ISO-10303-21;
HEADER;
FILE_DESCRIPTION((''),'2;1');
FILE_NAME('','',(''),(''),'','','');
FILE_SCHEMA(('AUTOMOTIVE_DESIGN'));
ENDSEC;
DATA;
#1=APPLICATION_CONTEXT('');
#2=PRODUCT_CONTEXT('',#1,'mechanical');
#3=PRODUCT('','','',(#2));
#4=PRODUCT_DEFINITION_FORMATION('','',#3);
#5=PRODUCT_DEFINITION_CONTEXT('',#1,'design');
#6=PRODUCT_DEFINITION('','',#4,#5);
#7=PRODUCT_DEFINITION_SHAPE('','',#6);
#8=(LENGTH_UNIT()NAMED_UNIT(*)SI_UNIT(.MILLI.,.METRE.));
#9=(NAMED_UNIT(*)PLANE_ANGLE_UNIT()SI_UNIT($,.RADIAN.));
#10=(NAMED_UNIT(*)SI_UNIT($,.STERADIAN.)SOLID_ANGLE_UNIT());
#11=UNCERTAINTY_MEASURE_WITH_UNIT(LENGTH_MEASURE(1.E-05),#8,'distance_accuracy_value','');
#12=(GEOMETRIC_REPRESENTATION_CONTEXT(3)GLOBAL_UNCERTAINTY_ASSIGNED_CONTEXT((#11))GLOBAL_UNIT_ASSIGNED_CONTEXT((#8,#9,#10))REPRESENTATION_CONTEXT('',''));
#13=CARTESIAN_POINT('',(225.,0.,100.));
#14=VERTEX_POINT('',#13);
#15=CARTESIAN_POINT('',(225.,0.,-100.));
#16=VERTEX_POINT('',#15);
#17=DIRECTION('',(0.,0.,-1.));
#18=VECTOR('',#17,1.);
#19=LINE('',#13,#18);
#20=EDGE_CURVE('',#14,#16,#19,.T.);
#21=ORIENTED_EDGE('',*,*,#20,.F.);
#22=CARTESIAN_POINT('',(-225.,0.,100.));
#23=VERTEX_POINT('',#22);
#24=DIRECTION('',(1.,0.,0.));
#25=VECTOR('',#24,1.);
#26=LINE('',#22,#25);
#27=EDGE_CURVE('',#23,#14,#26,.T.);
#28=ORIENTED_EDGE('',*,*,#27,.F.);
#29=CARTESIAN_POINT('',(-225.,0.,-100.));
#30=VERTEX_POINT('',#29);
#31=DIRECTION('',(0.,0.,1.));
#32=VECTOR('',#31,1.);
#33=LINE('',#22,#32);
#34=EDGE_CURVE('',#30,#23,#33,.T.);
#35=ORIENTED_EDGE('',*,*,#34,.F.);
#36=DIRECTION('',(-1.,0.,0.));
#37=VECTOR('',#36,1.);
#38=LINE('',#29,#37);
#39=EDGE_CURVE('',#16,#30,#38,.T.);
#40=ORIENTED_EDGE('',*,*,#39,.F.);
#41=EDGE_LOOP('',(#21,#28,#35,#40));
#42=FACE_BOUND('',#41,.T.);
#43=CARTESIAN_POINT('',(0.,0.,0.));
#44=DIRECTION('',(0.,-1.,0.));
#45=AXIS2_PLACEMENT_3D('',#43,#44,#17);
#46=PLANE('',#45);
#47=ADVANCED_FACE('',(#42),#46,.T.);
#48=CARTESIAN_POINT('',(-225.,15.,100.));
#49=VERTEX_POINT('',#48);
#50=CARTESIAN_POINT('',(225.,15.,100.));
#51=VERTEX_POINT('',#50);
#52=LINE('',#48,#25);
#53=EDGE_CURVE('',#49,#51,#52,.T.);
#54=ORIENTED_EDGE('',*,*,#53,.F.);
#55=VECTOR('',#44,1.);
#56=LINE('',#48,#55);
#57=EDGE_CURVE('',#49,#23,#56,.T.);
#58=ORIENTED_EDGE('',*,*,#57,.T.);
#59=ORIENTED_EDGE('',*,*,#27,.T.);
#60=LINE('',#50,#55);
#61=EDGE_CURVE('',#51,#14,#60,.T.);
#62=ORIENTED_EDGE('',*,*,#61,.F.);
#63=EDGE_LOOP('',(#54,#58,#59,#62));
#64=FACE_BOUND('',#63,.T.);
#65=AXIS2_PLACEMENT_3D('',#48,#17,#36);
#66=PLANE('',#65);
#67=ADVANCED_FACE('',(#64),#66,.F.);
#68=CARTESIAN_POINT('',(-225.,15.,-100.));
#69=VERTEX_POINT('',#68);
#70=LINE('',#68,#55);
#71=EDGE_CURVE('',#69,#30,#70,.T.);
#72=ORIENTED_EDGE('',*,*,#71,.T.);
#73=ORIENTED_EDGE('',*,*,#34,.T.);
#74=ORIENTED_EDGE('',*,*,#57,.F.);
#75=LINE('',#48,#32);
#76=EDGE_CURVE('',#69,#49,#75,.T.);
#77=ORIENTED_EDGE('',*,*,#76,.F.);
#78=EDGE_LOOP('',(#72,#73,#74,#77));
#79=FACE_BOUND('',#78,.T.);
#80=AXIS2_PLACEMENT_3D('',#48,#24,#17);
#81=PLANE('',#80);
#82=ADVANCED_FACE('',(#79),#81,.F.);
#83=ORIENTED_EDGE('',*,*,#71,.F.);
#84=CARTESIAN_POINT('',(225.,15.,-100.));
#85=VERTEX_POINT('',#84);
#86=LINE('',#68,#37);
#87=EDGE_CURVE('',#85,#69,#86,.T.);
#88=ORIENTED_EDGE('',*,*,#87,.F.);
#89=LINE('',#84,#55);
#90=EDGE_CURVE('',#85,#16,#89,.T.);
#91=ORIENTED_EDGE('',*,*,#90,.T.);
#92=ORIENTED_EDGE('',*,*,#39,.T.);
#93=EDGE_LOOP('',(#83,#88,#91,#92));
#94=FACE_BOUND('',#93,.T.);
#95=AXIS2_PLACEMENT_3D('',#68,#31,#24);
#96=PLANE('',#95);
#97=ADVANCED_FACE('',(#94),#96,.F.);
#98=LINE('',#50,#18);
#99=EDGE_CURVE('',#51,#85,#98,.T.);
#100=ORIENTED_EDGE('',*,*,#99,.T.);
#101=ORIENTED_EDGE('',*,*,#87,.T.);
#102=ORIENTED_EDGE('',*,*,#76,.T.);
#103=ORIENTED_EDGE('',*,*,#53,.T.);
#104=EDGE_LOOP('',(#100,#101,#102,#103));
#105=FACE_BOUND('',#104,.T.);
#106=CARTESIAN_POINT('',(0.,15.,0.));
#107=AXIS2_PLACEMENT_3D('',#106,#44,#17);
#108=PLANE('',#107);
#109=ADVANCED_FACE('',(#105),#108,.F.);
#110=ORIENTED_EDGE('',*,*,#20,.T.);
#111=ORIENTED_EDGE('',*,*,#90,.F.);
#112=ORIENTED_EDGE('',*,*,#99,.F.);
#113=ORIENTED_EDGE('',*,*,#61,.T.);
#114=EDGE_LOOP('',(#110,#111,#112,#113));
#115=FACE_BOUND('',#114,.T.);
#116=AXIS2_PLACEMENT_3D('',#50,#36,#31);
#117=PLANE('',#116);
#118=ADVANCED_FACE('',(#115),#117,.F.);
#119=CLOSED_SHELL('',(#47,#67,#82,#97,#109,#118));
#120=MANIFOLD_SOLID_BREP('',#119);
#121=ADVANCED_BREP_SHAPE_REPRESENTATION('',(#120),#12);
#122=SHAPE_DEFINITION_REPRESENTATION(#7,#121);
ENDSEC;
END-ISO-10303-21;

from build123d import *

# Parameters (mm, degrees)
ESBO_O1_W                = 450
ESBO_O1_H                = 200
RESSALTO_EXTRUS_O1_DEPTH = 15


with BuildPart() as part:
    # Esboço1 → Ressalto-extrusão1 (new body)
    with BuildSketch(Plane(origin=(0, 0, 0), x_dir=(1, 0, 0), z_dir=(0, 1, 0))):
        Rectangle(ESBO_O1_W, ESBO_O1_H)
    extrude(amount=RESSALTO_EXTRUS_O1_DEPTH)


solid = part.part
